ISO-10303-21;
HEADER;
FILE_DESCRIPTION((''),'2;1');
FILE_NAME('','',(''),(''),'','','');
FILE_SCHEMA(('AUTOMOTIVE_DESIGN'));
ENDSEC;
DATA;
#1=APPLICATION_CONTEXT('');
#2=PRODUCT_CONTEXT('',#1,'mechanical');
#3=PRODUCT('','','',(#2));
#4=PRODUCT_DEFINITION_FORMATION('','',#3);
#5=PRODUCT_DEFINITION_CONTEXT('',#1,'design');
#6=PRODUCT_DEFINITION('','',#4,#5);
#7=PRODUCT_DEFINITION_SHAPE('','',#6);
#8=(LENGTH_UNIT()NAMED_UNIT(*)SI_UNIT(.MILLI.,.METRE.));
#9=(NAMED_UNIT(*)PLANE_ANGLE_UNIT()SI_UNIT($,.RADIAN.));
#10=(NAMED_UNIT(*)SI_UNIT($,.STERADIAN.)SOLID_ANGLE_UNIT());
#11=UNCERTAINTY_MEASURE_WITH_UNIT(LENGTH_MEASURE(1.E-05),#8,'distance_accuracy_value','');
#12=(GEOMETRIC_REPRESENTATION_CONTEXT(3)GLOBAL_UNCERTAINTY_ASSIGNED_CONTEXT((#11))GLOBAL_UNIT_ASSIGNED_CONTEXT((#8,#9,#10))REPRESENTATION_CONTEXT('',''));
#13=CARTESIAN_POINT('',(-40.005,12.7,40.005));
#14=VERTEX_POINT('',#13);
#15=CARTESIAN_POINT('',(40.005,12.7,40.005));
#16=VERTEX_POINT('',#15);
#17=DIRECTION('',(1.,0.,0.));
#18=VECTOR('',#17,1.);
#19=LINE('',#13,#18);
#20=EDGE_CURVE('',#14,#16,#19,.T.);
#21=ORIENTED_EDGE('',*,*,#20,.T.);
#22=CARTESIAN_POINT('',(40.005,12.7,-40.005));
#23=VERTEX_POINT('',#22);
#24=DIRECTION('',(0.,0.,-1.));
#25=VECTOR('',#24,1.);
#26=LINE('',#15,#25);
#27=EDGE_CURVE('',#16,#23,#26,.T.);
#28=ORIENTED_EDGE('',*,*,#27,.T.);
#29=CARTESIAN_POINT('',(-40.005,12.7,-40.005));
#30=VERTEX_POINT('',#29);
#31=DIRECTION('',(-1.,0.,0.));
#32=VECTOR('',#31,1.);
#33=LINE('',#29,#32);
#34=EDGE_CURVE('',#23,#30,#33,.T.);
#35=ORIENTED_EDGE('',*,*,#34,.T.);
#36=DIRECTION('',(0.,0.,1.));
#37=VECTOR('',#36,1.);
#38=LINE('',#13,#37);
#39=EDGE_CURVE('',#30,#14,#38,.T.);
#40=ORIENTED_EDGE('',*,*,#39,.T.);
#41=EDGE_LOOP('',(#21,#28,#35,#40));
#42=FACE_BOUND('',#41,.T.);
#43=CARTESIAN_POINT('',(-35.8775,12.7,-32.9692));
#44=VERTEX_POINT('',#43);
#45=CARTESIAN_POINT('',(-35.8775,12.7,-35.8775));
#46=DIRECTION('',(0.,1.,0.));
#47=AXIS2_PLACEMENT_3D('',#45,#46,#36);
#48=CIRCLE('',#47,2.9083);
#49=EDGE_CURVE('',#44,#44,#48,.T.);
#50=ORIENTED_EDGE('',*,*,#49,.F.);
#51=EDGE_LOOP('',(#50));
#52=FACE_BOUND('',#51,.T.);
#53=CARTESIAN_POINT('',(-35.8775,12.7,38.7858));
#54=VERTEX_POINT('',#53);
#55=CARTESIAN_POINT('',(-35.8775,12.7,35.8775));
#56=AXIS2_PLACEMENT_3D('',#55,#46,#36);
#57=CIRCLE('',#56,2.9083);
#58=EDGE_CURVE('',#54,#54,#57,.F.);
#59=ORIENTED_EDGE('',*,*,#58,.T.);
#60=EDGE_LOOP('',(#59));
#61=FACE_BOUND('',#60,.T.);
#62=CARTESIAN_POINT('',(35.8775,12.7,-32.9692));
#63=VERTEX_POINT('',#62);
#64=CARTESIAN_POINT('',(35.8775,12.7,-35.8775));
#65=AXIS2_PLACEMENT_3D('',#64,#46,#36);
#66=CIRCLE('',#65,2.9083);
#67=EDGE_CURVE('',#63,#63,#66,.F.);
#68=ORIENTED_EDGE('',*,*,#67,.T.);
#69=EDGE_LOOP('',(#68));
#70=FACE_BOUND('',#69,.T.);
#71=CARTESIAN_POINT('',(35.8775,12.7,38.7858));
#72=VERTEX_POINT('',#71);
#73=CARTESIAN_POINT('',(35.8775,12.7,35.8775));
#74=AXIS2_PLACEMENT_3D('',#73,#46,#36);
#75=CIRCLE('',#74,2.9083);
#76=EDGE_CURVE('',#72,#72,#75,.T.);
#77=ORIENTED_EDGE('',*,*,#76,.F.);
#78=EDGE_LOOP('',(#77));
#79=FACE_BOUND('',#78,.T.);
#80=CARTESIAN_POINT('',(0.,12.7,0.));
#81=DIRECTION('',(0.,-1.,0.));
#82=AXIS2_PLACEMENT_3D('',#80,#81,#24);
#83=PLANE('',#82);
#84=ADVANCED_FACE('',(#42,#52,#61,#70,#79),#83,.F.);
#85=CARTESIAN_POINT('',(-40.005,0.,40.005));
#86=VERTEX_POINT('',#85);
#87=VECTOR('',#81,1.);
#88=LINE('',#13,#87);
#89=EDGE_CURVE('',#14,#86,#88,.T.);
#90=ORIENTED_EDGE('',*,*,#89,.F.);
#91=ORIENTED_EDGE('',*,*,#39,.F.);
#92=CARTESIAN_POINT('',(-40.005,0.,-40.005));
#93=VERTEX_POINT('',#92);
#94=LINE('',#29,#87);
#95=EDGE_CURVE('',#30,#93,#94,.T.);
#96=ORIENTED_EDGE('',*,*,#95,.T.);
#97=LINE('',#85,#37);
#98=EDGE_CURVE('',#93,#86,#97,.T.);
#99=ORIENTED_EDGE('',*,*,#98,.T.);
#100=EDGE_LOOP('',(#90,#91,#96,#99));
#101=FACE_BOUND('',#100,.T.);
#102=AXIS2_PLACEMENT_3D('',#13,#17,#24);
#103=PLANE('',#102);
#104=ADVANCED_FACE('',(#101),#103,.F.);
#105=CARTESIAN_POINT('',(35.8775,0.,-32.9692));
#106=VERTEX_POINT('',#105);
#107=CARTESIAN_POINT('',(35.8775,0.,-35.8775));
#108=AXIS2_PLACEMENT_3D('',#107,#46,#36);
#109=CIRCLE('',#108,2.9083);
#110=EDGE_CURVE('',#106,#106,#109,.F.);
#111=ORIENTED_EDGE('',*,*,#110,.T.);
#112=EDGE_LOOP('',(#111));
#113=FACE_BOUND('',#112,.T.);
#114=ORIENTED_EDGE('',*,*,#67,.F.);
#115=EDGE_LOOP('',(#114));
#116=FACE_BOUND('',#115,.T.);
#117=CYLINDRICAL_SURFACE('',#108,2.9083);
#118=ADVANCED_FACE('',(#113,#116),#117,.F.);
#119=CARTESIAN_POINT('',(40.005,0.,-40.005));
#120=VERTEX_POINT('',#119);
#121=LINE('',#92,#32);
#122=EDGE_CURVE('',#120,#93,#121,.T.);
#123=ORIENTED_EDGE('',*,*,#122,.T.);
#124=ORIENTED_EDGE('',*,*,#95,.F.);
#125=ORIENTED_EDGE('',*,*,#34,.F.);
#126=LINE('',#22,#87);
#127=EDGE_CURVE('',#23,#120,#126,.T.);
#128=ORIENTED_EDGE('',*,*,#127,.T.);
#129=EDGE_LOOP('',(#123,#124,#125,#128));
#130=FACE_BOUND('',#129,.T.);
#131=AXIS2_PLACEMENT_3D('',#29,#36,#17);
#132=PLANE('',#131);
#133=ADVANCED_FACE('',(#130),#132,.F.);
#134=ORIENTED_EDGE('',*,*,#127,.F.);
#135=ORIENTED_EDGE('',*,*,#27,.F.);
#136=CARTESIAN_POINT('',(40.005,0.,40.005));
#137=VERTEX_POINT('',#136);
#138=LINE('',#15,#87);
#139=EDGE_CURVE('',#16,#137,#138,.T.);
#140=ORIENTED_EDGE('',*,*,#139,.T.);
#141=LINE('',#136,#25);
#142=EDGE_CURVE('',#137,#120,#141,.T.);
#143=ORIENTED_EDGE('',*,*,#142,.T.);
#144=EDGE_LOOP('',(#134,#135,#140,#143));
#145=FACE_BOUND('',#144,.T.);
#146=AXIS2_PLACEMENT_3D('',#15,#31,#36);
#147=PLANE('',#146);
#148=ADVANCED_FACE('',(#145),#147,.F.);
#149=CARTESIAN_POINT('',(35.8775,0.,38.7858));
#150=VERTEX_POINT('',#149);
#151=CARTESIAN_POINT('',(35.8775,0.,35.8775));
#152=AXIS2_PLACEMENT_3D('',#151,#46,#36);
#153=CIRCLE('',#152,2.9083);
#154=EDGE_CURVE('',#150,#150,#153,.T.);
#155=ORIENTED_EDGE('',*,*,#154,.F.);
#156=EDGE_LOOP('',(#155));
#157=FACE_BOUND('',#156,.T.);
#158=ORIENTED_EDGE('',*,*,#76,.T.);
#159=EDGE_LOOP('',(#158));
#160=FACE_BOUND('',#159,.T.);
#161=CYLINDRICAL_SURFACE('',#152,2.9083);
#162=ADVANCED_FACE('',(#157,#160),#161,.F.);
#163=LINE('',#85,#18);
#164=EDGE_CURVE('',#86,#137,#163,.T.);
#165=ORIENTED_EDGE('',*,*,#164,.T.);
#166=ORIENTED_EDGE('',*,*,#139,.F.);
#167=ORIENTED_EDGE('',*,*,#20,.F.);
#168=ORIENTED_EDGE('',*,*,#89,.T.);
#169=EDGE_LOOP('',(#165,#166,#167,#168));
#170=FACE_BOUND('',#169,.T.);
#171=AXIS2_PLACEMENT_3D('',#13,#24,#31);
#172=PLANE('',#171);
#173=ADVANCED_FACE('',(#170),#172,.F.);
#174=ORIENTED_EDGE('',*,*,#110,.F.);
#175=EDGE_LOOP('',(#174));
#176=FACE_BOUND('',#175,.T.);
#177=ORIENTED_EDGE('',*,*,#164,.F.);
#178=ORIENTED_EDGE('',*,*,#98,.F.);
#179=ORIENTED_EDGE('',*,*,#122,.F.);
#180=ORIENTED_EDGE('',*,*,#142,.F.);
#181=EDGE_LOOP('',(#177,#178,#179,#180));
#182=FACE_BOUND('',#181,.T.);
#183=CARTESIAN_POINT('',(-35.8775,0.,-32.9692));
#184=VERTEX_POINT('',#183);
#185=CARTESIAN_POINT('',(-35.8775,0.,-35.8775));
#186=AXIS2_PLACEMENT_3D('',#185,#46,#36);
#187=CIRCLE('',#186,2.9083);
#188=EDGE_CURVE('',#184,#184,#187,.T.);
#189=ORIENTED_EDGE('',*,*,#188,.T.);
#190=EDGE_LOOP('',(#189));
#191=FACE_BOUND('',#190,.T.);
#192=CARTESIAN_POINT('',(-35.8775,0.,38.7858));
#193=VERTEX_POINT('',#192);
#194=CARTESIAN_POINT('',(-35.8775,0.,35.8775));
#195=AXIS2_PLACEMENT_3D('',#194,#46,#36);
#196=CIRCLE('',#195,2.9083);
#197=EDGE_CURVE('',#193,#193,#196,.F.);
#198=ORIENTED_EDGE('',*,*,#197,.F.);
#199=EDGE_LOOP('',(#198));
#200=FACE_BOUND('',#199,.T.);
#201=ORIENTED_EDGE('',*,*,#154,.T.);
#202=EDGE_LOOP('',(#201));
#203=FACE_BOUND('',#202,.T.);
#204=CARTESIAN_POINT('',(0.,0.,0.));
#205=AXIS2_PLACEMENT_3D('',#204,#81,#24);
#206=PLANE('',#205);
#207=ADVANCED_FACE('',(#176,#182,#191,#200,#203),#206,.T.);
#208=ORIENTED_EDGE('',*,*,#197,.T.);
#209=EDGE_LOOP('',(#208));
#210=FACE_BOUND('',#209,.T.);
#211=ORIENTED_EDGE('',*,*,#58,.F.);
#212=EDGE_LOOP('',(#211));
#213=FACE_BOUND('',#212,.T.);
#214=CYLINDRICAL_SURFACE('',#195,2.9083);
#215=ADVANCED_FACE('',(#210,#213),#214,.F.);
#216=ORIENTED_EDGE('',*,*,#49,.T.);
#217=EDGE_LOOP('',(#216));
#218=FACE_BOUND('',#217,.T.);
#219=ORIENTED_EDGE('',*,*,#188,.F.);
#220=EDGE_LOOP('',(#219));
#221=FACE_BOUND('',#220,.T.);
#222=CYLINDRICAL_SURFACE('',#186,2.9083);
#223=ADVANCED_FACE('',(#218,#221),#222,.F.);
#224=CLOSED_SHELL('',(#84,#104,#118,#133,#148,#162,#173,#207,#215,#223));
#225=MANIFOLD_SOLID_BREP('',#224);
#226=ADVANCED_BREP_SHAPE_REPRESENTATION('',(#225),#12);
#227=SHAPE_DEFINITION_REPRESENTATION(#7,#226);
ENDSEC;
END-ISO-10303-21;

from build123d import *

# Parameters (mm, degrees)
SKETCH1_W           = 80.01
SKETCH1_H           = 80.01
BOSS_EXTRUDE1_DEPTH = 12.7
SKETCH2_R           = 2.9083
CUT_EXTRUDE1_DEPTH  = 58.983532576


with BuildPart() as part:
    # Sketch1 → Boss-Extrude1 (new body)
    with BuildSketch(Plane(origin=(0, 0, 0), x_dir=(1, 0, 0), z_dir=(0, 1, 0))):
        Rectangle(SKETCH1_W, SKETCH1_H)
    extrude(amount=BOSS_EXTRUDE1_DEPTH)

    # Sketch2 → Cut-Extrude1 (cut, through all)
    with BuildSketch(Plane(origin=(0, 12.7, 0), x_dir=(1, 0, 0), z_dir=(0, 1, 0))):
        with Locations(Location((-35.8775, 35.8775, 0), (0, 0, 270))):
            Circle(SKETCH2_R)
        with Locations(Location((35.8775, 35.8775, 0), (0, 0, 270))):
            Circle(SKETCH2_R)
        with Locations(Location((-35.8775, -35.8775, 0), (0, 0, 270))):
            Circle(SKETCH2_R)
        with Locations(Location((35.8775, -35.8775, 0), (0, 0, 270))):
            Circle(SKETCH2_R)
    extrude(amount=-CUT_EXTRUDE1_DEPTH, mode=Mode.SUBTRACT)


solid = part.part
